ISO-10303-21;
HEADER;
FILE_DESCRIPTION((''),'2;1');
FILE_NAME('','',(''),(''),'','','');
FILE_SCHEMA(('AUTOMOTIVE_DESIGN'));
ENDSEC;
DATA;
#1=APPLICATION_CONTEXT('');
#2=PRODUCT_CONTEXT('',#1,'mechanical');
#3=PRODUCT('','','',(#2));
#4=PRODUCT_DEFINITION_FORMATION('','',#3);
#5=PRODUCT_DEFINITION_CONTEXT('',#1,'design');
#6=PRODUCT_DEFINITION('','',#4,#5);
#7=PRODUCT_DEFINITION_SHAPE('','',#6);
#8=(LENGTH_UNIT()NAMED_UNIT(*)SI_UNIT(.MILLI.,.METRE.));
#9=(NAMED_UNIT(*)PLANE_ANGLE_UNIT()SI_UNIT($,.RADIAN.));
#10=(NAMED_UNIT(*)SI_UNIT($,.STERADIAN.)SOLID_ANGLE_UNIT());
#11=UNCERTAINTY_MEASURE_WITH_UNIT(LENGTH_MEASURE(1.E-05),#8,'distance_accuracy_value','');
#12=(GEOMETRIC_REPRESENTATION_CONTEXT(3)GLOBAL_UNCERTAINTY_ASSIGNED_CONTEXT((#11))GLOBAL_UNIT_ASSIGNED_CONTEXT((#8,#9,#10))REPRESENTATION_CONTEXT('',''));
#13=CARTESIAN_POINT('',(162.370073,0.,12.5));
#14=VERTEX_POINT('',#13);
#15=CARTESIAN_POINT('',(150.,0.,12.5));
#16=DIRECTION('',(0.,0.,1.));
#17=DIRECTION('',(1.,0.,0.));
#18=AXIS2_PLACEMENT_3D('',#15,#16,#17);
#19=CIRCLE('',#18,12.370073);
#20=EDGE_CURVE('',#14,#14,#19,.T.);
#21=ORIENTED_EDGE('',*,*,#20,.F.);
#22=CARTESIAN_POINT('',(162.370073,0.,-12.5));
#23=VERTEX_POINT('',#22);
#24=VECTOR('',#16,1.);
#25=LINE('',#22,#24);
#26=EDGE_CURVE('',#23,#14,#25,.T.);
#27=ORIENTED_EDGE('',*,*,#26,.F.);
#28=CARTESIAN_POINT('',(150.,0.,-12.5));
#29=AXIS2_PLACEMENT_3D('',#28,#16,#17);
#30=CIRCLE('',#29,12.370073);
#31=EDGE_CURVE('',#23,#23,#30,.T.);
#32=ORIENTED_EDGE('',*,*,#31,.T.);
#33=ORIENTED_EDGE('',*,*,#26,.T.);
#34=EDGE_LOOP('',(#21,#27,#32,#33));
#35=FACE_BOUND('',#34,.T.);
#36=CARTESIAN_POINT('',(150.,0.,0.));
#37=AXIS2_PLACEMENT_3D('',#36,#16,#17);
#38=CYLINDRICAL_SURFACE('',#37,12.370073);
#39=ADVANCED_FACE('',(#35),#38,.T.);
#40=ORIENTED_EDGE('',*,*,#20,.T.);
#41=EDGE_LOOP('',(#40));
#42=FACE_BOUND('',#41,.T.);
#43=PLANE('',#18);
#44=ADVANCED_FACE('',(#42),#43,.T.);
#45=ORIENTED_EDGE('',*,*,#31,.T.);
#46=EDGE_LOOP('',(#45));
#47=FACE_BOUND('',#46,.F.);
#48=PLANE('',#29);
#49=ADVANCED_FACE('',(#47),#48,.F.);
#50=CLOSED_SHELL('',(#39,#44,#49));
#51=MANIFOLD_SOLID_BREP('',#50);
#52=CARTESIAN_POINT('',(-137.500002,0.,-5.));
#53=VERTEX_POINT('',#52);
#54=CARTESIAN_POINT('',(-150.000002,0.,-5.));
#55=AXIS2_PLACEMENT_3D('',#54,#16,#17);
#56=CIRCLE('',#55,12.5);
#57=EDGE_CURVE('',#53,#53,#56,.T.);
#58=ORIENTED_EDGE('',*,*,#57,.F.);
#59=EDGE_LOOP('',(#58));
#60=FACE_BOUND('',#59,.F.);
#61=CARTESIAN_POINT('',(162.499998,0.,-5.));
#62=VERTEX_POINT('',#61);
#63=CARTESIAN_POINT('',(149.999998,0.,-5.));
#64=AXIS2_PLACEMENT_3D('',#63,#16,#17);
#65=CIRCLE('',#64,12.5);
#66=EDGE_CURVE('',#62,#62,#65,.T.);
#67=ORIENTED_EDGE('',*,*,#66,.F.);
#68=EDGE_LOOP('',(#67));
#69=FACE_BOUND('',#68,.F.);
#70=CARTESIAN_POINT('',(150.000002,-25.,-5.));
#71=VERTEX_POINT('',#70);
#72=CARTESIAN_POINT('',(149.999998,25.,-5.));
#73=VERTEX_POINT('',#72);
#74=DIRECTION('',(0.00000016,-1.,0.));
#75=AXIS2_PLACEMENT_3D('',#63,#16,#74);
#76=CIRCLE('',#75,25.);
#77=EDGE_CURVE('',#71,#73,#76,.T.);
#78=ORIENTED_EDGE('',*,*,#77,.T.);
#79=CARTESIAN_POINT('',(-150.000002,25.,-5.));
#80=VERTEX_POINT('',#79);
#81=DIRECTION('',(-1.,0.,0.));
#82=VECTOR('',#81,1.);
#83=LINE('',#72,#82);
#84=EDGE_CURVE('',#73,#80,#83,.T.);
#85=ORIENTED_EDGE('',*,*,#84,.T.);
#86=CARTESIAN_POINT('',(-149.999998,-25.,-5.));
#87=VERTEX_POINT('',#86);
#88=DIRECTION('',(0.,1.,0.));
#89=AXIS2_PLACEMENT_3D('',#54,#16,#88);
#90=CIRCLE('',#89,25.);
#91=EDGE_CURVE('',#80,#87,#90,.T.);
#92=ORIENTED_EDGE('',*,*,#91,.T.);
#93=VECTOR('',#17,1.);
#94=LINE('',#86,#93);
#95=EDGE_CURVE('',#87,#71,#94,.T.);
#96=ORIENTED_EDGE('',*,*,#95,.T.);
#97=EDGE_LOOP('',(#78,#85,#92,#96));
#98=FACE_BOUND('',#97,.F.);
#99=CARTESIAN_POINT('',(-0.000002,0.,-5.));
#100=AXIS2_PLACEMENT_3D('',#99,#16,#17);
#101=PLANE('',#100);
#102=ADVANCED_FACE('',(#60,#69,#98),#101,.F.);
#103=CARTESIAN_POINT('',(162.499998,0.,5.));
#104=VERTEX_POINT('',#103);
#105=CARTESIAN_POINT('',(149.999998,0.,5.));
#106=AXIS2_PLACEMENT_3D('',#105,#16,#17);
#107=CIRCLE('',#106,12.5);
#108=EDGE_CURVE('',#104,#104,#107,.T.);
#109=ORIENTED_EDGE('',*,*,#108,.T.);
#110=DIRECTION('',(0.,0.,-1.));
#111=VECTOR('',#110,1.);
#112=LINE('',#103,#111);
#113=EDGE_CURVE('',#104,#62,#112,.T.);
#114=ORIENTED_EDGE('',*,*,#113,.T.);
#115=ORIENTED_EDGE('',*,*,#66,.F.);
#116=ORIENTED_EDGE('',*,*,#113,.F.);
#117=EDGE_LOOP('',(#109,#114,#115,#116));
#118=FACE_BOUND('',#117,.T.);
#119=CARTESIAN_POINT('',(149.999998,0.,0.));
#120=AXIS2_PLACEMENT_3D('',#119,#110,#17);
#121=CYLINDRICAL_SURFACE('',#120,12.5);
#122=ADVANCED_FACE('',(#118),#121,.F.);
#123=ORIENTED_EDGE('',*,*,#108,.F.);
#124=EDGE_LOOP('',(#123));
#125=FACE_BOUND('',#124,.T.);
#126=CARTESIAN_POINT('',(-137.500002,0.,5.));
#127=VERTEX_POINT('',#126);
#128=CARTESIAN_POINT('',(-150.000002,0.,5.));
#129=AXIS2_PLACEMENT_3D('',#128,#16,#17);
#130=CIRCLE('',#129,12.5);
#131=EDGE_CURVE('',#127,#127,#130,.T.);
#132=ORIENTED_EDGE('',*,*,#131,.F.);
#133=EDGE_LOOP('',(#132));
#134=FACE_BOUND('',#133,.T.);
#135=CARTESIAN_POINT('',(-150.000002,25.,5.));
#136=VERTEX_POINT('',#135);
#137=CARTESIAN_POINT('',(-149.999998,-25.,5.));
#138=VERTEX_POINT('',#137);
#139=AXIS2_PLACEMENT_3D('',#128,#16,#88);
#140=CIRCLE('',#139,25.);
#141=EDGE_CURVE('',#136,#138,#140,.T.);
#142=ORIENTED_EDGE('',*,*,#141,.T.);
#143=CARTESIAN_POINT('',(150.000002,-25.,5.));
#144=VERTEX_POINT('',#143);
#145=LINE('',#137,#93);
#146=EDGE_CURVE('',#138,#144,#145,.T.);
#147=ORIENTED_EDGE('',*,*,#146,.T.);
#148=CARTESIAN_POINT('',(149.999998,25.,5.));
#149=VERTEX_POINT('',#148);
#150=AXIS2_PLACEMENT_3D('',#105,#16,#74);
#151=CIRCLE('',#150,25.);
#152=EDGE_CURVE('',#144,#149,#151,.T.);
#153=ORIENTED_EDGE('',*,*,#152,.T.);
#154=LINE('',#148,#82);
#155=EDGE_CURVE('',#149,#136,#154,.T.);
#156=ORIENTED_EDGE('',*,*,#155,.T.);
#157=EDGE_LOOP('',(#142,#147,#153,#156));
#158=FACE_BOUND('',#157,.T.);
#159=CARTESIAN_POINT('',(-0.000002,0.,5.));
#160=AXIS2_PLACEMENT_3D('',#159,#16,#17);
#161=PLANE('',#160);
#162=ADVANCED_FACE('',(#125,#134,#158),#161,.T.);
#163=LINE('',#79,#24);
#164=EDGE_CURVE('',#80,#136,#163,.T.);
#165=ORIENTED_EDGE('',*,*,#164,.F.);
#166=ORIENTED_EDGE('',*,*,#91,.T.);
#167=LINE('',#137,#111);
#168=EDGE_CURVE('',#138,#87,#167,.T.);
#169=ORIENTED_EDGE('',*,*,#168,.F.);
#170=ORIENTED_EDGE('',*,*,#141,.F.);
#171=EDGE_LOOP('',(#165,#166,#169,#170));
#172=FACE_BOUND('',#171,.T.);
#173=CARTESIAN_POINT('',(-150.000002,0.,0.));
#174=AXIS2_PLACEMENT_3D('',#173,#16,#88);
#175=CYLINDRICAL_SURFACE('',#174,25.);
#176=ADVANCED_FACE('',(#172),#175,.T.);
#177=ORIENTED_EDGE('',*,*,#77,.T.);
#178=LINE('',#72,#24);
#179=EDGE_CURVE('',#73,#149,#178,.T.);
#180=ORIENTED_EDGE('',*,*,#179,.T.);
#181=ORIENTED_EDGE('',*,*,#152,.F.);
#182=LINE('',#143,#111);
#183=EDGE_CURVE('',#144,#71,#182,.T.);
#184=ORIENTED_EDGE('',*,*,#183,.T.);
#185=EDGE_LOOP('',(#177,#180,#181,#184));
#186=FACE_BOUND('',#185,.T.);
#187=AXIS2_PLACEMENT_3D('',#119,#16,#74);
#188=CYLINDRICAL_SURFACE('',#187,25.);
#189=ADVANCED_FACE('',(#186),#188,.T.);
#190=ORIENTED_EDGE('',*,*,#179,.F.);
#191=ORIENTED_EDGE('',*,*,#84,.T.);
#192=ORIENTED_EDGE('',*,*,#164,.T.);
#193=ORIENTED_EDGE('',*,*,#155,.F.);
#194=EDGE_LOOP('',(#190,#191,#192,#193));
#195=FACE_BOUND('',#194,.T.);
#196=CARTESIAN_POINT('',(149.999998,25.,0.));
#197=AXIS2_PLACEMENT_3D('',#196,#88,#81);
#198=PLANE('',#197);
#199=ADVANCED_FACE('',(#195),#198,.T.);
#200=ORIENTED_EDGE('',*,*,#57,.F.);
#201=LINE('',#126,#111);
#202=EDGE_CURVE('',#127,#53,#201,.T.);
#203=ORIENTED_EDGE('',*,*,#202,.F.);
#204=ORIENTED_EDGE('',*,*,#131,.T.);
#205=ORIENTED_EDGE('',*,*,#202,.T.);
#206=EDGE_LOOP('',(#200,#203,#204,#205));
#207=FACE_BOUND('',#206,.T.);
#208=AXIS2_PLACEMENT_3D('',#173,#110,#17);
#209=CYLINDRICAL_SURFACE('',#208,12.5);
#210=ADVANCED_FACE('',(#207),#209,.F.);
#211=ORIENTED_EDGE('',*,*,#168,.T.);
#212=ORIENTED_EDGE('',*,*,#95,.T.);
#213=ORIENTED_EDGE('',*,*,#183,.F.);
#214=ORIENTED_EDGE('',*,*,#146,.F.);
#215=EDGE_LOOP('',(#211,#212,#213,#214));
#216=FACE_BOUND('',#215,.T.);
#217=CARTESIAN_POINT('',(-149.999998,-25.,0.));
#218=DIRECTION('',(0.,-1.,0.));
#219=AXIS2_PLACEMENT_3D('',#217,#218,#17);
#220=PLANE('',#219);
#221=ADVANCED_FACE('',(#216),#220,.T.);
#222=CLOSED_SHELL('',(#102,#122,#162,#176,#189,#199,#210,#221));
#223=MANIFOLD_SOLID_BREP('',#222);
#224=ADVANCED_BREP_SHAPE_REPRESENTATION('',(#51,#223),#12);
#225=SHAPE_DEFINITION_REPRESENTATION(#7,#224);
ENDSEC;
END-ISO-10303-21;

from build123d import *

# Parameters (mm, degrees)
F0_R     = 12.5
F1_DEPTH = 5
F2_R     = 12.370073
F3_DEPTH = 12.5


with BuildPart() as f1:
    # F0 (on Top) → F1 (new body, symmetric)
    with BuildSketch(Plane.XY):
        with BuildLine():
            ThreePointArc((150.000002, -25), (174.999998, 2e-06), (149.999998, 25))
            Line((149.999998, 25), (-150.000002, 25))
            ThreePointArc((-150.000002, 25), (-175.000002, -2e-06), (-149.999998, -25))
            Line((-149.999998, -25), (150.000002, -25))
        make_face()
        with Locations((-150.000002, 0)):
            Circle(F0_R, mode=Mode.SUBTRACT)
        with Locations((149.999998, 0)):
            Circle(F0_R, mode=Mode.SUBTRACT)
    extrude(amount=F1_DEPTH, both=True)


with BuildPart() as f3:
    # F2 (on Top) → F3 (new body, symmetric)
    with BuildSketch(Plane.XY):
        with Locations((150, 0)):
            Circle(F2_R)
    extrude(amount=F3_DEPTH, both=True)


solid = Compound([f1.part, f3.part])
